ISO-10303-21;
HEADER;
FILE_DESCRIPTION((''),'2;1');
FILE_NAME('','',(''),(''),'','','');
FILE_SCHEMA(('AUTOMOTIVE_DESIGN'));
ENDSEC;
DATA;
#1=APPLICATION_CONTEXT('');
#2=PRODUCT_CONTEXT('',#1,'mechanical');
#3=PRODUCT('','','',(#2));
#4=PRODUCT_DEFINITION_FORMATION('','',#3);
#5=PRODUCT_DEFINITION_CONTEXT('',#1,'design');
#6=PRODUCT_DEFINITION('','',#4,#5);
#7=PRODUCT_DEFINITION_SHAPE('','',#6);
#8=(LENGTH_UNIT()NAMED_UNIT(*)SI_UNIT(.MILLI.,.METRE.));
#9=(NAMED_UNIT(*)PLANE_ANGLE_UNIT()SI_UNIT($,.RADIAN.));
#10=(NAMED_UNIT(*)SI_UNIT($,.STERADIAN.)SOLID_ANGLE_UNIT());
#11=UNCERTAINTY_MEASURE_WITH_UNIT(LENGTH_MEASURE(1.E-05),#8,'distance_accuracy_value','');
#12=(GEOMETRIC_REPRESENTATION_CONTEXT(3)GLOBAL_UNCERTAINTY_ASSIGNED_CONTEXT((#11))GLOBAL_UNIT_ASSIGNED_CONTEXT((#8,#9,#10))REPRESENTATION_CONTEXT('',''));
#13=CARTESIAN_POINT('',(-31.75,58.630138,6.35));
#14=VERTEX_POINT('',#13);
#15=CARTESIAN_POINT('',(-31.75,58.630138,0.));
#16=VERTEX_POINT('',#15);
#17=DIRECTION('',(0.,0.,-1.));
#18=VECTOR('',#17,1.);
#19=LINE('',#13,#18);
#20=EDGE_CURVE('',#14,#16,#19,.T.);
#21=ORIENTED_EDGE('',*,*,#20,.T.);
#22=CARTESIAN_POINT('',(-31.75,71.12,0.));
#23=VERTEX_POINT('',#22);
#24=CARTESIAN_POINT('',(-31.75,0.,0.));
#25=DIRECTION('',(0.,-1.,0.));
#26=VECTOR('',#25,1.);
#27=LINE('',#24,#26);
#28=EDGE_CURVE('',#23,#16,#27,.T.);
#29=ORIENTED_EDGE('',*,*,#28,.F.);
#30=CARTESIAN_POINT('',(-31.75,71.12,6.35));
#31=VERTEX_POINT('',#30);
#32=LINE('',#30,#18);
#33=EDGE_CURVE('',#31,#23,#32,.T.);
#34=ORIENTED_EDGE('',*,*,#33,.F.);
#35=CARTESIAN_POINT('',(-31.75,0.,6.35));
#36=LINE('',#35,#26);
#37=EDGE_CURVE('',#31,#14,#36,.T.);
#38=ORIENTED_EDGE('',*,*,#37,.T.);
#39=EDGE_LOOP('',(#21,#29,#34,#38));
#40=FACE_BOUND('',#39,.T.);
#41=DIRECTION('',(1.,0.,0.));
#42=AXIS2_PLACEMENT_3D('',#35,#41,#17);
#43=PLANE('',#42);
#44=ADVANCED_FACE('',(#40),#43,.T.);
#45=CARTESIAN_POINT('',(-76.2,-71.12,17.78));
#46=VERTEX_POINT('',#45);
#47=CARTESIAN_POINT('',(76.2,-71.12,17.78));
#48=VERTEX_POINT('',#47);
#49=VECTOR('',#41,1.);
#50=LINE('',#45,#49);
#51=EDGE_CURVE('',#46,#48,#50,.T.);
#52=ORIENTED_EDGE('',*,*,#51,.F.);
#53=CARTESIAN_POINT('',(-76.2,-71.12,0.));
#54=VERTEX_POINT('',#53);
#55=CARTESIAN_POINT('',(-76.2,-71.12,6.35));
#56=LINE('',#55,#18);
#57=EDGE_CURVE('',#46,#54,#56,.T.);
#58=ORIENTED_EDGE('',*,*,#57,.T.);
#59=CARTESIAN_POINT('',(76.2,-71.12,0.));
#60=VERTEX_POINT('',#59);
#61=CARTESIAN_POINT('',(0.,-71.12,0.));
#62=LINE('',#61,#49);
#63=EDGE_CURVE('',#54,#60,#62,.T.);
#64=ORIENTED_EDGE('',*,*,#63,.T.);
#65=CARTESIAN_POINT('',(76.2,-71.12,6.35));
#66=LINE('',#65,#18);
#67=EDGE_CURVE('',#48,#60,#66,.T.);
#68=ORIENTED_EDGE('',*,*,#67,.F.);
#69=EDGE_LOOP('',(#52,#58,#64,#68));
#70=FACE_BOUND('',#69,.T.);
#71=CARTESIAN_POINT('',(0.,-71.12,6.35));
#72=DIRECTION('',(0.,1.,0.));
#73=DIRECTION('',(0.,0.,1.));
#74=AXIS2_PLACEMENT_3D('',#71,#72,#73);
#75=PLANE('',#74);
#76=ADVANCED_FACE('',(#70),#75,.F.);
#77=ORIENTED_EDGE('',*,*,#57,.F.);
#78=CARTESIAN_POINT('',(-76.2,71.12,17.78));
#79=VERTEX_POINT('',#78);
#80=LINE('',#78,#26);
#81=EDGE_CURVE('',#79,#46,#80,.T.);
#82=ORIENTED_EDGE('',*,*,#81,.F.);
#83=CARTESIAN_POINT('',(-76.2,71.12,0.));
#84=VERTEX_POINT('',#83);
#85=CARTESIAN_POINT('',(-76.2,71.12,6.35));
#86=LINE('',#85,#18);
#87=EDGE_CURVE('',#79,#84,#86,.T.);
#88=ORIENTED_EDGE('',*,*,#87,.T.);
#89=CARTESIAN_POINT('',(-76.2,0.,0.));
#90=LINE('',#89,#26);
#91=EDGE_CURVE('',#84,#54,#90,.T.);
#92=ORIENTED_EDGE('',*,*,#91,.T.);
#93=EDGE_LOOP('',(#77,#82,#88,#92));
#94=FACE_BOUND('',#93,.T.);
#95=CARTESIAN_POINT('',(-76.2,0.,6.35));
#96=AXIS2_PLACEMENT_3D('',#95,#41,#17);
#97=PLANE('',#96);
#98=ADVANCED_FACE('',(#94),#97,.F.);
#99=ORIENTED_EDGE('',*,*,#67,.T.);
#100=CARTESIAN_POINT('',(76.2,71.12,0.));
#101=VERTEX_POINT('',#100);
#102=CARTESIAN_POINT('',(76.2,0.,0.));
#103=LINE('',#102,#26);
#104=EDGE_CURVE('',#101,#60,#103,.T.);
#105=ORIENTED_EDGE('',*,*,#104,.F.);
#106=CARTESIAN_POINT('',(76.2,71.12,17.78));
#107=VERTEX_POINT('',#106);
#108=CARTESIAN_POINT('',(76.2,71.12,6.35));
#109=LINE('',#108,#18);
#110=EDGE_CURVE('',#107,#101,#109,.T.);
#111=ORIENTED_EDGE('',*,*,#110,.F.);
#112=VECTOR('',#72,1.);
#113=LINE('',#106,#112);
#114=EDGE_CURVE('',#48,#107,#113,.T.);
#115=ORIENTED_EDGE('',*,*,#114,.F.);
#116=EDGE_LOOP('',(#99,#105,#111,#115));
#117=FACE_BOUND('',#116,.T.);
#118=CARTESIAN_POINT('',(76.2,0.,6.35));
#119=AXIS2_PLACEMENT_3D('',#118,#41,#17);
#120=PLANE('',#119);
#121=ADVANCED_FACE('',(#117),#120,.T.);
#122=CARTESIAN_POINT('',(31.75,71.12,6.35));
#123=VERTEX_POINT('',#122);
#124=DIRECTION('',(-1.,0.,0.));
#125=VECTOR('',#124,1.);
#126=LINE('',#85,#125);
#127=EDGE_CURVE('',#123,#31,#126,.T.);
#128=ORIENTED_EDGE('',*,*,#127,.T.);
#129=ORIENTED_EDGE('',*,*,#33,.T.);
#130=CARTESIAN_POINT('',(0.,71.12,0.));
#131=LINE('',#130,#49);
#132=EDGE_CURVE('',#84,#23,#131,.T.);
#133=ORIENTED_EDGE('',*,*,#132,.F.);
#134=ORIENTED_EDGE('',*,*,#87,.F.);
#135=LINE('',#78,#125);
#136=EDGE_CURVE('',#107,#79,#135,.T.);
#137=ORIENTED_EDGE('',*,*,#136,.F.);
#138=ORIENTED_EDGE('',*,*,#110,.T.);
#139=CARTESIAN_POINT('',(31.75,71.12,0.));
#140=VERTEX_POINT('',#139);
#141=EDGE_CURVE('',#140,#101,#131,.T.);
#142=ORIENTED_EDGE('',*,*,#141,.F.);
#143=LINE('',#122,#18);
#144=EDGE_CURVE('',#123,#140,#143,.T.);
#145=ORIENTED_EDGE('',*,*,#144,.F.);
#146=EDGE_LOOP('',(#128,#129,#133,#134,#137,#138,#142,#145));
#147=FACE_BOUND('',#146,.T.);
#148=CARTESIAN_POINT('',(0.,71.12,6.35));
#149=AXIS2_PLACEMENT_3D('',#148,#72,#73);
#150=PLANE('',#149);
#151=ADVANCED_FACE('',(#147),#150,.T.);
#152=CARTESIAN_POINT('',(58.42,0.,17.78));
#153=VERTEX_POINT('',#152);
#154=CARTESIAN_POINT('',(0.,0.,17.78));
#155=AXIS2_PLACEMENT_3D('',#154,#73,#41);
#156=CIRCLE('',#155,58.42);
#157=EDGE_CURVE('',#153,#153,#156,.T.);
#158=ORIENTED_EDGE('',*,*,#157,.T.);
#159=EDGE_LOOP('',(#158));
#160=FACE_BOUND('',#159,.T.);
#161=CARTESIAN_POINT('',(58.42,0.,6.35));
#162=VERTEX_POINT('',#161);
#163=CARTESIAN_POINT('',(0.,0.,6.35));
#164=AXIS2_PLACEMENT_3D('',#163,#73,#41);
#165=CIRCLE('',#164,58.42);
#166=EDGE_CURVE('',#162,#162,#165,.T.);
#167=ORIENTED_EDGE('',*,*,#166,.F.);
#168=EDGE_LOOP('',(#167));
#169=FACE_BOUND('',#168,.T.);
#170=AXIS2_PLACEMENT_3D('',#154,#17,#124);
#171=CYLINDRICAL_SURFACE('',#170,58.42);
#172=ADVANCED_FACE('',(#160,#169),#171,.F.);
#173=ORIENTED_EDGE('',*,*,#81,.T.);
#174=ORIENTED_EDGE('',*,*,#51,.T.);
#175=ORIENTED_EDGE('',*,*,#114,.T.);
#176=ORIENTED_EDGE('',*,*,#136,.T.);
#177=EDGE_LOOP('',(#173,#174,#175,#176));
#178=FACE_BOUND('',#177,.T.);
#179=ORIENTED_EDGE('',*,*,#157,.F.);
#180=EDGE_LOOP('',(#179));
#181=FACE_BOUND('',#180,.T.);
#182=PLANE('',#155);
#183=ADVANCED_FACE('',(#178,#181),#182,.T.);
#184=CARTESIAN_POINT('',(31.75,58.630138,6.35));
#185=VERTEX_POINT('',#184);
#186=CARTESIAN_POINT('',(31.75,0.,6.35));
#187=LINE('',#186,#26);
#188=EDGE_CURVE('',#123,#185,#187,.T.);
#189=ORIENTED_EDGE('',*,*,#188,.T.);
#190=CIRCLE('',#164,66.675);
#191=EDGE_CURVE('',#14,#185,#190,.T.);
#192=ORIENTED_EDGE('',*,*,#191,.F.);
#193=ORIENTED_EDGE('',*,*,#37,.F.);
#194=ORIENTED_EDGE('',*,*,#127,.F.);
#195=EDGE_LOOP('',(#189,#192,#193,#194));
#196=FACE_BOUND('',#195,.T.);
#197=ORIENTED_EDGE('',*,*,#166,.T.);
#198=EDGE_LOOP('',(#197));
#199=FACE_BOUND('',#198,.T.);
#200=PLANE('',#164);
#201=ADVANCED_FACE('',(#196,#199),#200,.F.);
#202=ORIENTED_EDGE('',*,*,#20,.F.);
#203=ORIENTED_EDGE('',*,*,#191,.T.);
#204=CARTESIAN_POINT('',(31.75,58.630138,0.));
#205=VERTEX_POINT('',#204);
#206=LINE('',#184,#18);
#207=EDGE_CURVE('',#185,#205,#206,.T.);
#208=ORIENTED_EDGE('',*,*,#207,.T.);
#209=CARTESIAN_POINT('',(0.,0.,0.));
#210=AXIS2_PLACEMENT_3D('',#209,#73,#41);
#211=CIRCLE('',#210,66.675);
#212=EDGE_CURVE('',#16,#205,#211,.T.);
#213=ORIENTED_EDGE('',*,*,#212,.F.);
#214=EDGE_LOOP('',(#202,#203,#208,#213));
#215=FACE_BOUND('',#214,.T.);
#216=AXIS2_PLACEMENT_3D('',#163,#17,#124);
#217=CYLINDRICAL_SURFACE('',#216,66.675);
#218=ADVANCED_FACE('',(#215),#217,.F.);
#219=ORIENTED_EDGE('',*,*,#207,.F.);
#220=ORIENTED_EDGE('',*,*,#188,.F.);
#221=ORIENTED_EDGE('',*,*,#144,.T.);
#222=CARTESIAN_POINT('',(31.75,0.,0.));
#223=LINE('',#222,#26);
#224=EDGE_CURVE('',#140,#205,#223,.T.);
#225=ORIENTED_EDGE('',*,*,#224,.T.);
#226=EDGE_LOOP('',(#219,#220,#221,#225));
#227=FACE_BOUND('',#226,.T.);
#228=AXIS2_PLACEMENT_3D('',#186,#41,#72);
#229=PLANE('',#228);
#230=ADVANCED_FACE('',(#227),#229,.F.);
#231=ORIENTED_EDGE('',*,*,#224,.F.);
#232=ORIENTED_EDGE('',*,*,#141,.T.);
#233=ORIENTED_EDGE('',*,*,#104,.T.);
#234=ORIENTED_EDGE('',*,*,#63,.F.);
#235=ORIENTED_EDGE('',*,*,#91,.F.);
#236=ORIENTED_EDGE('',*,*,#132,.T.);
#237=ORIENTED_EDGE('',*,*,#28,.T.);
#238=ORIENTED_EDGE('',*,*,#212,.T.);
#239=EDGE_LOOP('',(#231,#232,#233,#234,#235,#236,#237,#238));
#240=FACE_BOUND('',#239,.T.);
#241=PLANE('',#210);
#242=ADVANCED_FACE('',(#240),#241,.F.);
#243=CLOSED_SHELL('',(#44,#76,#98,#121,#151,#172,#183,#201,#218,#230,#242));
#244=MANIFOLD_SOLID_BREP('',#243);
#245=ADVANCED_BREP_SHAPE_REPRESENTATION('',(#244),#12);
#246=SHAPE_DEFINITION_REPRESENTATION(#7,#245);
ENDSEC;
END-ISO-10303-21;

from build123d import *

# Parameters (mm, degrees)
BOSS_EXTRUDE1_DEPTH = 6.35
SKETCH2_W           = 152.4
SKETCH2_H           = 142.24
SKETCH2_R           = 58.42
BOSS_EXTRUDE2_DEPTH = 11.43


with BuildPart() as part:
    # Sketch1 → Boss-Extrude1 (new body)
    with BuildSketch(Plane.XY):
        with BuildLine():
            Line((-31.75, 71.12), (-76.2, 71.12))
            Line((-76.2, 71.12), (-76.2, -71.12))
            Line((-76.2, -71.12), (76.2, -71.12))
            Line((76.2, -71.12), (76.2, 71.12))
            Line((76.2, 71.12), (31.75, 71.12))
            Line((31.75, 71.12), (31.75, 58.630138368))
            ThreePointArc((31.75, 58.630138368), (0, -66.675), (-31.75, 58.630138368))
            Line((-31.75, 58.630138368), (-31.75, 71.12))
        make_face()
    extrude(amount=BOSS_EXTRUDE1_DEPTH)

    # Sketch2 → Boss-Extrude2 (add)
    with BuildSketch(Plane.XY.offset(6.35)):
        Rectangle(SKETCH2_W, SKETCH2_H)
        Circle(SKETCH2_R, mode=Mode.SUBTRACT)
    extrude(amount=BOSS_EXTRUDE2_DEPTH)


solid = part.part
